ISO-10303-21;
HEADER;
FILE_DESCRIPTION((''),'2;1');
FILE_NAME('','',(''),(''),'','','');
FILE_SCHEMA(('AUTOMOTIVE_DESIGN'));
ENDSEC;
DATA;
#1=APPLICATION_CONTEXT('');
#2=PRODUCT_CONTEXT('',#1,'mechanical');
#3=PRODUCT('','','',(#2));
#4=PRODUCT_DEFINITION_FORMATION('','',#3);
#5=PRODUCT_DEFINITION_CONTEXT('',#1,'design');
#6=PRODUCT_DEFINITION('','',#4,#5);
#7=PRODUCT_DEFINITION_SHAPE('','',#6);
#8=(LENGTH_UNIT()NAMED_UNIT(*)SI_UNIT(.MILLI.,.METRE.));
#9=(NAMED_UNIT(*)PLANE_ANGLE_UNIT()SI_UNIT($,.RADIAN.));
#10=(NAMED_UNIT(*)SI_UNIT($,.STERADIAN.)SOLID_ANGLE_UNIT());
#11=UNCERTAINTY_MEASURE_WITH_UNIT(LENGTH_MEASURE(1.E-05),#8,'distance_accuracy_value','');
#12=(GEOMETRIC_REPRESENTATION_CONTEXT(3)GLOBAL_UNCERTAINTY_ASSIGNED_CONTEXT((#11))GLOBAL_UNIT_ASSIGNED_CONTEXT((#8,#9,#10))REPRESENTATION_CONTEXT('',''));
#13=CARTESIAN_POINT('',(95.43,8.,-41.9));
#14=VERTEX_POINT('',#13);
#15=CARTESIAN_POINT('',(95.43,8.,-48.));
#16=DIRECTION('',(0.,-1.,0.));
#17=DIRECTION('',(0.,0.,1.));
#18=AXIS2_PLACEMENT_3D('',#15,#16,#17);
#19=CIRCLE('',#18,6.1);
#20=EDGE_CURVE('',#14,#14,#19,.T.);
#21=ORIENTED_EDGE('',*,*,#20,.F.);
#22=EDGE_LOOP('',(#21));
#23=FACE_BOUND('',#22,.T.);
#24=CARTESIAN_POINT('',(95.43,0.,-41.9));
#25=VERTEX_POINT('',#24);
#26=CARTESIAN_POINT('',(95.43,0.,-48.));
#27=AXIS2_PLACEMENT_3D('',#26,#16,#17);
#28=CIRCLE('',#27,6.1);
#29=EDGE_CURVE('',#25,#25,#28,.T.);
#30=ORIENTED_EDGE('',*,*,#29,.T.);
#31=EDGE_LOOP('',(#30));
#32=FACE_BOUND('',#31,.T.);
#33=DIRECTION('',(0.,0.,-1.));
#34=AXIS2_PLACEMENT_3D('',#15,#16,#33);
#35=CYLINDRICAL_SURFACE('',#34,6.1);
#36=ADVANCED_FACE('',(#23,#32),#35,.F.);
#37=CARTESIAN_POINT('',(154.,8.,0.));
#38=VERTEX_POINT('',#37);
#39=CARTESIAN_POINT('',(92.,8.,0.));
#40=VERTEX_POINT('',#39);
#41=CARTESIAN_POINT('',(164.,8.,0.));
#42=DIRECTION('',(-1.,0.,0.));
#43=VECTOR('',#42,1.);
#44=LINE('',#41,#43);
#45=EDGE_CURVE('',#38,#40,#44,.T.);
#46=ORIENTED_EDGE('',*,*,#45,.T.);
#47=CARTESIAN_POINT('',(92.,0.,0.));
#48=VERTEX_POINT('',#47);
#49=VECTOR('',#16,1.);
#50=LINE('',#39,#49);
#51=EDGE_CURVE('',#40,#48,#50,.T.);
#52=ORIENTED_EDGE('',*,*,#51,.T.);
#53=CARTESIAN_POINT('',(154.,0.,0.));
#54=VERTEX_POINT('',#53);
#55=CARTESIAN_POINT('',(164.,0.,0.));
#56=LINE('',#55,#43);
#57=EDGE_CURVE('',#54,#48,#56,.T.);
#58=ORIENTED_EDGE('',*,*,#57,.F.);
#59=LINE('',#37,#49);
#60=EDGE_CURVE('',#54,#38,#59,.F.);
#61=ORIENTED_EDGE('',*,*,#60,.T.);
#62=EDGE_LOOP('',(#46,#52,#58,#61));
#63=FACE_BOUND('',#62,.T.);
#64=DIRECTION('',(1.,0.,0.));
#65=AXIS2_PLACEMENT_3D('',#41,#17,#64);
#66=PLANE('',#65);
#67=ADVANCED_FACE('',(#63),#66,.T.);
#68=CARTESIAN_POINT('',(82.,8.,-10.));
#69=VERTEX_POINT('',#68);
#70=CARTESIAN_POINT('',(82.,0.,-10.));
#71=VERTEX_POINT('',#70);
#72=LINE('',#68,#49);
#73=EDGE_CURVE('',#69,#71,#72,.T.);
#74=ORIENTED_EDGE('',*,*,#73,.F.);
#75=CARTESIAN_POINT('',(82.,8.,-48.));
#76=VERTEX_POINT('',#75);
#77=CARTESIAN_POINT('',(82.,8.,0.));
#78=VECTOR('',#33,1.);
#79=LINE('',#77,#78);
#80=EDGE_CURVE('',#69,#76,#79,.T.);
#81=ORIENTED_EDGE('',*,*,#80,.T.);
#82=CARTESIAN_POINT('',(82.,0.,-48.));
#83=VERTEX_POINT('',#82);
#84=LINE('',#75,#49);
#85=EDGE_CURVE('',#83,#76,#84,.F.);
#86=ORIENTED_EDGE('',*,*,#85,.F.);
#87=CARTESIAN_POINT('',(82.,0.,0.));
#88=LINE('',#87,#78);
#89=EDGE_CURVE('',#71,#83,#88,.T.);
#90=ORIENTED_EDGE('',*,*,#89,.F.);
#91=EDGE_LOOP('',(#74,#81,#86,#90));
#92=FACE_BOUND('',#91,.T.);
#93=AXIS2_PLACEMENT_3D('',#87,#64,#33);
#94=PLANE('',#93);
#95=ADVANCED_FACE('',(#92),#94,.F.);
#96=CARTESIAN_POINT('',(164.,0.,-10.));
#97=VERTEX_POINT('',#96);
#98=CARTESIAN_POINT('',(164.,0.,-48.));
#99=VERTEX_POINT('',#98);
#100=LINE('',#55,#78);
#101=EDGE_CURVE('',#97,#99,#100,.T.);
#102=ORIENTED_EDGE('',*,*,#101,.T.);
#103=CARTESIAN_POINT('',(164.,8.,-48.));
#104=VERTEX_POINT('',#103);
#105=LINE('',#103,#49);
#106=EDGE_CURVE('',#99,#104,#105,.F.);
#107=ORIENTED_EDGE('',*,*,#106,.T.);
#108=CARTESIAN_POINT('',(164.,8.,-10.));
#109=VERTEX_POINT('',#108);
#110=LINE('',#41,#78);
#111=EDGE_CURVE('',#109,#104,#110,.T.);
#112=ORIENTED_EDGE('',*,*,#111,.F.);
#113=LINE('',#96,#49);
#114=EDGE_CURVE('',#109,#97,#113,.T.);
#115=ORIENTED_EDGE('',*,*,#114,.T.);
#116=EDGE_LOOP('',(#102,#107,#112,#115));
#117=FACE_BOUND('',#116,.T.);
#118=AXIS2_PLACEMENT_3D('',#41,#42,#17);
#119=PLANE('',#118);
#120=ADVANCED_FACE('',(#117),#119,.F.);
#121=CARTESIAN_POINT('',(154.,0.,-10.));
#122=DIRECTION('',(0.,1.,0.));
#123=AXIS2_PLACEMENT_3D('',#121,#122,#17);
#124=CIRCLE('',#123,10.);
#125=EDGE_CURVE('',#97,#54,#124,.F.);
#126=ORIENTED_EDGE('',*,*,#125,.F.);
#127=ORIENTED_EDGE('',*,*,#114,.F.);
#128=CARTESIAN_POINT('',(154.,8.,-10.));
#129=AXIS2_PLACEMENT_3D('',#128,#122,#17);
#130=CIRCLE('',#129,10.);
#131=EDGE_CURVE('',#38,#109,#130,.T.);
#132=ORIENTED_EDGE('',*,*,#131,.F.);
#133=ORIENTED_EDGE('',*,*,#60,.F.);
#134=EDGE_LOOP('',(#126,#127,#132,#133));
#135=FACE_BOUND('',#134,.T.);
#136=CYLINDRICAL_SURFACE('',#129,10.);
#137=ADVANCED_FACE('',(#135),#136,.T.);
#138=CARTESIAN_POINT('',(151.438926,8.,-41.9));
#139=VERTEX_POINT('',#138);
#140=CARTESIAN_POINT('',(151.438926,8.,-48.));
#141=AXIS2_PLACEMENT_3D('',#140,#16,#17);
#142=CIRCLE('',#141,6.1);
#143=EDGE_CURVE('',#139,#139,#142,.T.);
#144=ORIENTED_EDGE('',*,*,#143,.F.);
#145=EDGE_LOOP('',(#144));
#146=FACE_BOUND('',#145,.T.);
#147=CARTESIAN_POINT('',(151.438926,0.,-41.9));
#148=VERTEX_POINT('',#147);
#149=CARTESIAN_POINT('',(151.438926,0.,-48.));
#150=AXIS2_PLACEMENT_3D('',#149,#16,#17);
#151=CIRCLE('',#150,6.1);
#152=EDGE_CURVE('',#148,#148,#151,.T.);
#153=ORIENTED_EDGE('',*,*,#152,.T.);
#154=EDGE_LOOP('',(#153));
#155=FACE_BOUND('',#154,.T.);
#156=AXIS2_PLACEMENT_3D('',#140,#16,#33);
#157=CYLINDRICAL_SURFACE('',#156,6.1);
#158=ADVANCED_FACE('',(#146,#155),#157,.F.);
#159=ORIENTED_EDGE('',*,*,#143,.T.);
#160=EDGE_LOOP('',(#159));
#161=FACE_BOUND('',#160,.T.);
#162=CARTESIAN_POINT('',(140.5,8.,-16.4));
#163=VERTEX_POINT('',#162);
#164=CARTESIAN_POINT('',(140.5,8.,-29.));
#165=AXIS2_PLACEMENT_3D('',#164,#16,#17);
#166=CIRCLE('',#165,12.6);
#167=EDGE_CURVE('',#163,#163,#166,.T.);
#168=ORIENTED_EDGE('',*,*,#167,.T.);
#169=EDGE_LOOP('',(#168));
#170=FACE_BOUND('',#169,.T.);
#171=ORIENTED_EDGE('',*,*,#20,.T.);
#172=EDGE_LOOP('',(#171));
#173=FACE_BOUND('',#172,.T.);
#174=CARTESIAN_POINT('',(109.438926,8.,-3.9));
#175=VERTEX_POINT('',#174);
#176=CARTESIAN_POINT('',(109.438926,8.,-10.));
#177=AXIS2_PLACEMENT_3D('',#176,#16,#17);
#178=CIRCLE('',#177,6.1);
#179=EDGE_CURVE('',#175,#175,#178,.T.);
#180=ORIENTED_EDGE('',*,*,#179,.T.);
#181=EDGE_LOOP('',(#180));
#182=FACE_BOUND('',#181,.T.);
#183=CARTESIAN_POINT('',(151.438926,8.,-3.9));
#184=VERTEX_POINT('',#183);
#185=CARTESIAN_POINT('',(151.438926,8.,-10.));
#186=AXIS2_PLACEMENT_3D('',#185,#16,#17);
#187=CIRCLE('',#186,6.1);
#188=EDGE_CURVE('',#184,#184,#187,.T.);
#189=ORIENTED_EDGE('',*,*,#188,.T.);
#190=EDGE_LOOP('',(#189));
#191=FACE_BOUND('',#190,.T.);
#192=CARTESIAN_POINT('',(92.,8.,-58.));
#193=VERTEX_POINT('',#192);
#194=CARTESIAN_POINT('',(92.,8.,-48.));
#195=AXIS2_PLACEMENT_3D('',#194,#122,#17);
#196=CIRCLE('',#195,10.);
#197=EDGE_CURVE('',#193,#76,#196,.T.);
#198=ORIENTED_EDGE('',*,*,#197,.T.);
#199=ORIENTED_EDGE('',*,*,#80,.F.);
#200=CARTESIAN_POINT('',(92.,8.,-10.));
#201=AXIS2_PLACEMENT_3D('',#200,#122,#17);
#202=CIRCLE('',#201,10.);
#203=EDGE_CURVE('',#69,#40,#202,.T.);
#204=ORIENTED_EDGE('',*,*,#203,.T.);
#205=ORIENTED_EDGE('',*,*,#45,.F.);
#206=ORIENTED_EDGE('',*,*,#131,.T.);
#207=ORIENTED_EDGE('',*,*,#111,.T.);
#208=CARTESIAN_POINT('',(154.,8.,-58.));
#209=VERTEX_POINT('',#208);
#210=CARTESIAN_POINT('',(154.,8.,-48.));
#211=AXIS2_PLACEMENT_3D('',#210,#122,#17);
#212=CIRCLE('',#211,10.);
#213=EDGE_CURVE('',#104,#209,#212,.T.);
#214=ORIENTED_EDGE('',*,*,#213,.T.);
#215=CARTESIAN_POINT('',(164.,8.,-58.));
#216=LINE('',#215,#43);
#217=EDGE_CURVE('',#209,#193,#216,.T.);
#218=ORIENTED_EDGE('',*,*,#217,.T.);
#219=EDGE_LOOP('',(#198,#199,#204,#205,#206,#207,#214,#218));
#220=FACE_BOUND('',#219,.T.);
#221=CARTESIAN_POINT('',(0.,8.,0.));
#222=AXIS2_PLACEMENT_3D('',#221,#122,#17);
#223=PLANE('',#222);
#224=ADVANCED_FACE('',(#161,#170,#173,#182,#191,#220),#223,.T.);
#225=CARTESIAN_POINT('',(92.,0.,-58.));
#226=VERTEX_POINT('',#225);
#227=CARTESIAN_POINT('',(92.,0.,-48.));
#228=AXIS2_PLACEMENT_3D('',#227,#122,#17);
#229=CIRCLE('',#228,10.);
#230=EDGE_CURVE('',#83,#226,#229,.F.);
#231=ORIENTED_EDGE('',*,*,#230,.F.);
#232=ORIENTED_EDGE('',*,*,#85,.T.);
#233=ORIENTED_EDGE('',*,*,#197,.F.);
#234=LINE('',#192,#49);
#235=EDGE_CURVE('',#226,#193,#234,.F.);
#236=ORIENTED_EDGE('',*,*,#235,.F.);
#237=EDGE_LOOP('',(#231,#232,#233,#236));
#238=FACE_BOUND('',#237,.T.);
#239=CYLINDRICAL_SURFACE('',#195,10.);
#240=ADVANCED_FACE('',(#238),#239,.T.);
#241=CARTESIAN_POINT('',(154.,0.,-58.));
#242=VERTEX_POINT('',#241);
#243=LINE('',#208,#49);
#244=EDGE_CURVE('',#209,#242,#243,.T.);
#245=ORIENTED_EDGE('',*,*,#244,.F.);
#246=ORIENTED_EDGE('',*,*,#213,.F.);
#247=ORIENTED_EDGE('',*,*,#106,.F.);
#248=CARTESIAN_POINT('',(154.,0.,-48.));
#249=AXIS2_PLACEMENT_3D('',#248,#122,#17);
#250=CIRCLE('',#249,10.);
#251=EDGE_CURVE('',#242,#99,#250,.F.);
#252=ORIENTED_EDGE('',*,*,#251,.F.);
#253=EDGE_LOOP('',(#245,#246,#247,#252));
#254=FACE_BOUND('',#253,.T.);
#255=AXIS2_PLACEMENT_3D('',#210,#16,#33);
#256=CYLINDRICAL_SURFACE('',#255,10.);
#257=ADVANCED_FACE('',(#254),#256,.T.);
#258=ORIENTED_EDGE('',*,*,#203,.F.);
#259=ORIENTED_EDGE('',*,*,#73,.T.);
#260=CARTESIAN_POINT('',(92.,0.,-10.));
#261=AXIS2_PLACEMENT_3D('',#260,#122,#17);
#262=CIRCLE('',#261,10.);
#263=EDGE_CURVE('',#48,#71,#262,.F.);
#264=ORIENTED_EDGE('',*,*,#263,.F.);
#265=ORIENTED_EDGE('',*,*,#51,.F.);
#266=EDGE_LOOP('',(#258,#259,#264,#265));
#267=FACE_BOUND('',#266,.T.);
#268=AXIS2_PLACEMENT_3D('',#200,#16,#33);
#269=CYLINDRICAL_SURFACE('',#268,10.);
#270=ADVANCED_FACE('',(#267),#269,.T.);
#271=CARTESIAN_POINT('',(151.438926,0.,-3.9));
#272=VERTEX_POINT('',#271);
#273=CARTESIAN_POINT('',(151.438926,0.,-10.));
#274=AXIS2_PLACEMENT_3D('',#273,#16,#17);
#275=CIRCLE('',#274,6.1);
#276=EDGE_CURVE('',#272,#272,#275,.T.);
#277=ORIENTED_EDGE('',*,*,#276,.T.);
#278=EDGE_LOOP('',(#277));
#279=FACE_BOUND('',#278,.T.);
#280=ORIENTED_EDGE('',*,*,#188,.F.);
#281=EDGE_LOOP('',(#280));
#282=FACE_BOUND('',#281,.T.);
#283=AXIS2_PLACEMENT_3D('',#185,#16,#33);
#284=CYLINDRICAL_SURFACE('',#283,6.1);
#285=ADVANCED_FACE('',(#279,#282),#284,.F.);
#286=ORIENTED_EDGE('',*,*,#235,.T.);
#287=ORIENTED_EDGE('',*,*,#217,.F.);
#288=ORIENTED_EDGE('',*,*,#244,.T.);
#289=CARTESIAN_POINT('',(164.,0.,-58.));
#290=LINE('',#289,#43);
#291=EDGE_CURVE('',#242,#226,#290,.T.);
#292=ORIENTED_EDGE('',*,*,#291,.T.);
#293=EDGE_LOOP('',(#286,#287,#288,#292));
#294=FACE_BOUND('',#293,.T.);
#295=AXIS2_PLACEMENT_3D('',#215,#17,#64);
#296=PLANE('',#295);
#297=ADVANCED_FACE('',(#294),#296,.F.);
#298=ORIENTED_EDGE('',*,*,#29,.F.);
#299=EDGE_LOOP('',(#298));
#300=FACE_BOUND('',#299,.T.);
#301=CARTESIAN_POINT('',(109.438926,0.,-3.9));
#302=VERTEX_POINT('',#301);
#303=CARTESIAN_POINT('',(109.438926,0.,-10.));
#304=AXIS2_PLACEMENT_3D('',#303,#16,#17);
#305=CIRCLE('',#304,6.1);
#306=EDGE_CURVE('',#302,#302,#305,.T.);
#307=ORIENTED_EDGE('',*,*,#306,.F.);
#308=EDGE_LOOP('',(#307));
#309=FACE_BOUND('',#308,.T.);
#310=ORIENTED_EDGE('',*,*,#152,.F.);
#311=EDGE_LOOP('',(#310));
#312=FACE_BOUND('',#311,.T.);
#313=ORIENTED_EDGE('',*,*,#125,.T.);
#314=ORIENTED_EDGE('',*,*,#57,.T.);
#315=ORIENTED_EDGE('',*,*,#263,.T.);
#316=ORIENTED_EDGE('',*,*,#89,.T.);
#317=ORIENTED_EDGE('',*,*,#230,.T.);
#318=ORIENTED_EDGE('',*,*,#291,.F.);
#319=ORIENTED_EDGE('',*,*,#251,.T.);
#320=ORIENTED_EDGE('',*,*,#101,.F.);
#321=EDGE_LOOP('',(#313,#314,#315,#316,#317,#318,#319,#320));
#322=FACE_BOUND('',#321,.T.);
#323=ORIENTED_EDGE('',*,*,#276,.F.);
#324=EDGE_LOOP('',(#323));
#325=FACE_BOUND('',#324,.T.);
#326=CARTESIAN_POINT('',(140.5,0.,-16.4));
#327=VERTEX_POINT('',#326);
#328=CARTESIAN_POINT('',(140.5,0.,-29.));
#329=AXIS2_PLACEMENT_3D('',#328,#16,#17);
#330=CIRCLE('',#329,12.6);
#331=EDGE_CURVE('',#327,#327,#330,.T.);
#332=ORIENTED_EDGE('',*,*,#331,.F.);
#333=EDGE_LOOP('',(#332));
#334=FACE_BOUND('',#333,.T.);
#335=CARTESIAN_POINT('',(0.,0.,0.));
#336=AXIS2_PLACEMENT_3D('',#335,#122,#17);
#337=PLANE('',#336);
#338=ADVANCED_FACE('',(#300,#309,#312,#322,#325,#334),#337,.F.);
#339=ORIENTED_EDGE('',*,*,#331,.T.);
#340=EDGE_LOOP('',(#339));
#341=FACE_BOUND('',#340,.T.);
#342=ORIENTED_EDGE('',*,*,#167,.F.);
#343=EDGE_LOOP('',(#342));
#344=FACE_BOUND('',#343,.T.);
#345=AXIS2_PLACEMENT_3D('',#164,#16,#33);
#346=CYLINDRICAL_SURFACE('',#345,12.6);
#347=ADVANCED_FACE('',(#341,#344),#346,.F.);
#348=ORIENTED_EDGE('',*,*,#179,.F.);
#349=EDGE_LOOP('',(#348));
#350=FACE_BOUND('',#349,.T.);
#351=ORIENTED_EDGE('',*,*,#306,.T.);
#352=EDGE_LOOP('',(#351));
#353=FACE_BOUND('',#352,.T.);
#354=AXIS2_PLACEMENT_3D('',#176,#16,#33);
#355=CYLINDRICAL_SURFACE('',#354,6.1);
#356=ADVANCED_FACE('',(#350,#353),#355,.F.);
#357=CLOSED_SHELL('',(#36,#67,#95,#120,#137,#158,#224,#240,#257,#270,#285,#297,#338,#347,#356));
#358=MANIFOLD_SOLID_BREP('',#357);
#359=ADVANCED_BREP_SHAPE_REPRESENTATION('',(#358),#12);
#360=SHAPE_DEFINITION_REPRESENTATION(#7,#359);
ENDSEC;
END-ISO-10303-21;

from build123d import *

# Parameters (mm, degrees)
SKETCH1_W            = 82
SKETCH1_H            = 58
SKETCH1_R            = 12.6
SKETCH1_R_2          = 6.1
BOSS_EXTRUDE1_DEPTH  = 8
FILLET1_R            = 10
FILLET1_OF_MIRROR1_R = 10
SKETCH2_W            = 82
SKETCH2_H            = 58
CUT_EXTRUDE1_DEPTH   = 175.137876408


with BuildPart() as part:
    # Sketch1 → Boss-Extrude1 (new body)
    with BuildSketch(Plane(origin=(0, 0, 0), x_dir=(1, 0, 0), z_dir=(0, 1, 0))):
        with Locations((41, 29)):
            Rectangle(SKETCH1_W, SKETCH1_H)
        with Locations(Location((23.5, 29, 0), (0, 0, 270))):
            Circle(SKETCH1_R, mode=Mode.SUBTRACT)
        with Locations(Location((68.57, 48, 0), (0, 0, 270))):
            Circle(SKETCH1_R_2, mode=Mode.SUBTRACT)
        with Locations(Location((54.561074274, 10, 0), (0, 0, 270))):
            Circle(SKETCH1_R_2, mode=Mode.SUBTRACT)
        with Locations(Location((12.561074274, 10, 0), (0, 0, 270))):
            Circle(SKETCH1_R_2, mode=Mode.SUBTRACT)
        with Locations(Location((12.561074274, 48, 0), (0, 0, 270))):
            Circle(SKETCH1_R_2, mode=Mode.SUBTRACT)
    boss_extrude1 = extrude(amount=BOSS_EXTRUDE1_DEPTH)

    # Fillet1
    fillet1_edges = [part.edges().sort_by_distance(p)[0] for p in [
        (0, 4, 0),
        (0, 4, -58),
        (82, 4, -58),
        (82, 4, 0),
    ]]
    fillet(fillet1_edges, radius=FILLET1_R)


with BuildPart() as mirror1_1:
    # Mirror1: Boss-Extrude1 across plane
    add(boss_extrude1.mirror(Plane(origin=(82, 8, 0), x_dir=(0, 0, 1), z_dir=(-1, 0, 0))))

    # Fillet1 of Mirror1
    fillet1_of_mirror1_edges = [mirror1_1.edges().sort_by_distance(p)[0] for p in [
        (164, 4, 0),
        (164, 4, -58),
        (82, 4, -58),
        (82, 4, 0),
    ]]
    fillet(fillet1_of_mirror1_edges, radius=FILLET1_OF_MIRROR1_R)


with BuildPart() as part_1:
    add(part.part)

    # Mirror1 united with what the copies touc: union Mirror1_1
    add(mirror1_1.part)

    # Sketch2 → Cut-Extrude1 (cut, through all)
    with BuildSketch(Plane(origin=(0, 8, 0), x_dir=(1, 0, 0), z_dir=(0, 1, 0))):
        with Locations((41, 29)):
            Rectangle(SKETCH2_W, SKETCH2_H)
    extrude(amount=-CUT_EXTRUDE1_DEPTH, mode=Mode.SUBTRACT)


solid = part_1.part
